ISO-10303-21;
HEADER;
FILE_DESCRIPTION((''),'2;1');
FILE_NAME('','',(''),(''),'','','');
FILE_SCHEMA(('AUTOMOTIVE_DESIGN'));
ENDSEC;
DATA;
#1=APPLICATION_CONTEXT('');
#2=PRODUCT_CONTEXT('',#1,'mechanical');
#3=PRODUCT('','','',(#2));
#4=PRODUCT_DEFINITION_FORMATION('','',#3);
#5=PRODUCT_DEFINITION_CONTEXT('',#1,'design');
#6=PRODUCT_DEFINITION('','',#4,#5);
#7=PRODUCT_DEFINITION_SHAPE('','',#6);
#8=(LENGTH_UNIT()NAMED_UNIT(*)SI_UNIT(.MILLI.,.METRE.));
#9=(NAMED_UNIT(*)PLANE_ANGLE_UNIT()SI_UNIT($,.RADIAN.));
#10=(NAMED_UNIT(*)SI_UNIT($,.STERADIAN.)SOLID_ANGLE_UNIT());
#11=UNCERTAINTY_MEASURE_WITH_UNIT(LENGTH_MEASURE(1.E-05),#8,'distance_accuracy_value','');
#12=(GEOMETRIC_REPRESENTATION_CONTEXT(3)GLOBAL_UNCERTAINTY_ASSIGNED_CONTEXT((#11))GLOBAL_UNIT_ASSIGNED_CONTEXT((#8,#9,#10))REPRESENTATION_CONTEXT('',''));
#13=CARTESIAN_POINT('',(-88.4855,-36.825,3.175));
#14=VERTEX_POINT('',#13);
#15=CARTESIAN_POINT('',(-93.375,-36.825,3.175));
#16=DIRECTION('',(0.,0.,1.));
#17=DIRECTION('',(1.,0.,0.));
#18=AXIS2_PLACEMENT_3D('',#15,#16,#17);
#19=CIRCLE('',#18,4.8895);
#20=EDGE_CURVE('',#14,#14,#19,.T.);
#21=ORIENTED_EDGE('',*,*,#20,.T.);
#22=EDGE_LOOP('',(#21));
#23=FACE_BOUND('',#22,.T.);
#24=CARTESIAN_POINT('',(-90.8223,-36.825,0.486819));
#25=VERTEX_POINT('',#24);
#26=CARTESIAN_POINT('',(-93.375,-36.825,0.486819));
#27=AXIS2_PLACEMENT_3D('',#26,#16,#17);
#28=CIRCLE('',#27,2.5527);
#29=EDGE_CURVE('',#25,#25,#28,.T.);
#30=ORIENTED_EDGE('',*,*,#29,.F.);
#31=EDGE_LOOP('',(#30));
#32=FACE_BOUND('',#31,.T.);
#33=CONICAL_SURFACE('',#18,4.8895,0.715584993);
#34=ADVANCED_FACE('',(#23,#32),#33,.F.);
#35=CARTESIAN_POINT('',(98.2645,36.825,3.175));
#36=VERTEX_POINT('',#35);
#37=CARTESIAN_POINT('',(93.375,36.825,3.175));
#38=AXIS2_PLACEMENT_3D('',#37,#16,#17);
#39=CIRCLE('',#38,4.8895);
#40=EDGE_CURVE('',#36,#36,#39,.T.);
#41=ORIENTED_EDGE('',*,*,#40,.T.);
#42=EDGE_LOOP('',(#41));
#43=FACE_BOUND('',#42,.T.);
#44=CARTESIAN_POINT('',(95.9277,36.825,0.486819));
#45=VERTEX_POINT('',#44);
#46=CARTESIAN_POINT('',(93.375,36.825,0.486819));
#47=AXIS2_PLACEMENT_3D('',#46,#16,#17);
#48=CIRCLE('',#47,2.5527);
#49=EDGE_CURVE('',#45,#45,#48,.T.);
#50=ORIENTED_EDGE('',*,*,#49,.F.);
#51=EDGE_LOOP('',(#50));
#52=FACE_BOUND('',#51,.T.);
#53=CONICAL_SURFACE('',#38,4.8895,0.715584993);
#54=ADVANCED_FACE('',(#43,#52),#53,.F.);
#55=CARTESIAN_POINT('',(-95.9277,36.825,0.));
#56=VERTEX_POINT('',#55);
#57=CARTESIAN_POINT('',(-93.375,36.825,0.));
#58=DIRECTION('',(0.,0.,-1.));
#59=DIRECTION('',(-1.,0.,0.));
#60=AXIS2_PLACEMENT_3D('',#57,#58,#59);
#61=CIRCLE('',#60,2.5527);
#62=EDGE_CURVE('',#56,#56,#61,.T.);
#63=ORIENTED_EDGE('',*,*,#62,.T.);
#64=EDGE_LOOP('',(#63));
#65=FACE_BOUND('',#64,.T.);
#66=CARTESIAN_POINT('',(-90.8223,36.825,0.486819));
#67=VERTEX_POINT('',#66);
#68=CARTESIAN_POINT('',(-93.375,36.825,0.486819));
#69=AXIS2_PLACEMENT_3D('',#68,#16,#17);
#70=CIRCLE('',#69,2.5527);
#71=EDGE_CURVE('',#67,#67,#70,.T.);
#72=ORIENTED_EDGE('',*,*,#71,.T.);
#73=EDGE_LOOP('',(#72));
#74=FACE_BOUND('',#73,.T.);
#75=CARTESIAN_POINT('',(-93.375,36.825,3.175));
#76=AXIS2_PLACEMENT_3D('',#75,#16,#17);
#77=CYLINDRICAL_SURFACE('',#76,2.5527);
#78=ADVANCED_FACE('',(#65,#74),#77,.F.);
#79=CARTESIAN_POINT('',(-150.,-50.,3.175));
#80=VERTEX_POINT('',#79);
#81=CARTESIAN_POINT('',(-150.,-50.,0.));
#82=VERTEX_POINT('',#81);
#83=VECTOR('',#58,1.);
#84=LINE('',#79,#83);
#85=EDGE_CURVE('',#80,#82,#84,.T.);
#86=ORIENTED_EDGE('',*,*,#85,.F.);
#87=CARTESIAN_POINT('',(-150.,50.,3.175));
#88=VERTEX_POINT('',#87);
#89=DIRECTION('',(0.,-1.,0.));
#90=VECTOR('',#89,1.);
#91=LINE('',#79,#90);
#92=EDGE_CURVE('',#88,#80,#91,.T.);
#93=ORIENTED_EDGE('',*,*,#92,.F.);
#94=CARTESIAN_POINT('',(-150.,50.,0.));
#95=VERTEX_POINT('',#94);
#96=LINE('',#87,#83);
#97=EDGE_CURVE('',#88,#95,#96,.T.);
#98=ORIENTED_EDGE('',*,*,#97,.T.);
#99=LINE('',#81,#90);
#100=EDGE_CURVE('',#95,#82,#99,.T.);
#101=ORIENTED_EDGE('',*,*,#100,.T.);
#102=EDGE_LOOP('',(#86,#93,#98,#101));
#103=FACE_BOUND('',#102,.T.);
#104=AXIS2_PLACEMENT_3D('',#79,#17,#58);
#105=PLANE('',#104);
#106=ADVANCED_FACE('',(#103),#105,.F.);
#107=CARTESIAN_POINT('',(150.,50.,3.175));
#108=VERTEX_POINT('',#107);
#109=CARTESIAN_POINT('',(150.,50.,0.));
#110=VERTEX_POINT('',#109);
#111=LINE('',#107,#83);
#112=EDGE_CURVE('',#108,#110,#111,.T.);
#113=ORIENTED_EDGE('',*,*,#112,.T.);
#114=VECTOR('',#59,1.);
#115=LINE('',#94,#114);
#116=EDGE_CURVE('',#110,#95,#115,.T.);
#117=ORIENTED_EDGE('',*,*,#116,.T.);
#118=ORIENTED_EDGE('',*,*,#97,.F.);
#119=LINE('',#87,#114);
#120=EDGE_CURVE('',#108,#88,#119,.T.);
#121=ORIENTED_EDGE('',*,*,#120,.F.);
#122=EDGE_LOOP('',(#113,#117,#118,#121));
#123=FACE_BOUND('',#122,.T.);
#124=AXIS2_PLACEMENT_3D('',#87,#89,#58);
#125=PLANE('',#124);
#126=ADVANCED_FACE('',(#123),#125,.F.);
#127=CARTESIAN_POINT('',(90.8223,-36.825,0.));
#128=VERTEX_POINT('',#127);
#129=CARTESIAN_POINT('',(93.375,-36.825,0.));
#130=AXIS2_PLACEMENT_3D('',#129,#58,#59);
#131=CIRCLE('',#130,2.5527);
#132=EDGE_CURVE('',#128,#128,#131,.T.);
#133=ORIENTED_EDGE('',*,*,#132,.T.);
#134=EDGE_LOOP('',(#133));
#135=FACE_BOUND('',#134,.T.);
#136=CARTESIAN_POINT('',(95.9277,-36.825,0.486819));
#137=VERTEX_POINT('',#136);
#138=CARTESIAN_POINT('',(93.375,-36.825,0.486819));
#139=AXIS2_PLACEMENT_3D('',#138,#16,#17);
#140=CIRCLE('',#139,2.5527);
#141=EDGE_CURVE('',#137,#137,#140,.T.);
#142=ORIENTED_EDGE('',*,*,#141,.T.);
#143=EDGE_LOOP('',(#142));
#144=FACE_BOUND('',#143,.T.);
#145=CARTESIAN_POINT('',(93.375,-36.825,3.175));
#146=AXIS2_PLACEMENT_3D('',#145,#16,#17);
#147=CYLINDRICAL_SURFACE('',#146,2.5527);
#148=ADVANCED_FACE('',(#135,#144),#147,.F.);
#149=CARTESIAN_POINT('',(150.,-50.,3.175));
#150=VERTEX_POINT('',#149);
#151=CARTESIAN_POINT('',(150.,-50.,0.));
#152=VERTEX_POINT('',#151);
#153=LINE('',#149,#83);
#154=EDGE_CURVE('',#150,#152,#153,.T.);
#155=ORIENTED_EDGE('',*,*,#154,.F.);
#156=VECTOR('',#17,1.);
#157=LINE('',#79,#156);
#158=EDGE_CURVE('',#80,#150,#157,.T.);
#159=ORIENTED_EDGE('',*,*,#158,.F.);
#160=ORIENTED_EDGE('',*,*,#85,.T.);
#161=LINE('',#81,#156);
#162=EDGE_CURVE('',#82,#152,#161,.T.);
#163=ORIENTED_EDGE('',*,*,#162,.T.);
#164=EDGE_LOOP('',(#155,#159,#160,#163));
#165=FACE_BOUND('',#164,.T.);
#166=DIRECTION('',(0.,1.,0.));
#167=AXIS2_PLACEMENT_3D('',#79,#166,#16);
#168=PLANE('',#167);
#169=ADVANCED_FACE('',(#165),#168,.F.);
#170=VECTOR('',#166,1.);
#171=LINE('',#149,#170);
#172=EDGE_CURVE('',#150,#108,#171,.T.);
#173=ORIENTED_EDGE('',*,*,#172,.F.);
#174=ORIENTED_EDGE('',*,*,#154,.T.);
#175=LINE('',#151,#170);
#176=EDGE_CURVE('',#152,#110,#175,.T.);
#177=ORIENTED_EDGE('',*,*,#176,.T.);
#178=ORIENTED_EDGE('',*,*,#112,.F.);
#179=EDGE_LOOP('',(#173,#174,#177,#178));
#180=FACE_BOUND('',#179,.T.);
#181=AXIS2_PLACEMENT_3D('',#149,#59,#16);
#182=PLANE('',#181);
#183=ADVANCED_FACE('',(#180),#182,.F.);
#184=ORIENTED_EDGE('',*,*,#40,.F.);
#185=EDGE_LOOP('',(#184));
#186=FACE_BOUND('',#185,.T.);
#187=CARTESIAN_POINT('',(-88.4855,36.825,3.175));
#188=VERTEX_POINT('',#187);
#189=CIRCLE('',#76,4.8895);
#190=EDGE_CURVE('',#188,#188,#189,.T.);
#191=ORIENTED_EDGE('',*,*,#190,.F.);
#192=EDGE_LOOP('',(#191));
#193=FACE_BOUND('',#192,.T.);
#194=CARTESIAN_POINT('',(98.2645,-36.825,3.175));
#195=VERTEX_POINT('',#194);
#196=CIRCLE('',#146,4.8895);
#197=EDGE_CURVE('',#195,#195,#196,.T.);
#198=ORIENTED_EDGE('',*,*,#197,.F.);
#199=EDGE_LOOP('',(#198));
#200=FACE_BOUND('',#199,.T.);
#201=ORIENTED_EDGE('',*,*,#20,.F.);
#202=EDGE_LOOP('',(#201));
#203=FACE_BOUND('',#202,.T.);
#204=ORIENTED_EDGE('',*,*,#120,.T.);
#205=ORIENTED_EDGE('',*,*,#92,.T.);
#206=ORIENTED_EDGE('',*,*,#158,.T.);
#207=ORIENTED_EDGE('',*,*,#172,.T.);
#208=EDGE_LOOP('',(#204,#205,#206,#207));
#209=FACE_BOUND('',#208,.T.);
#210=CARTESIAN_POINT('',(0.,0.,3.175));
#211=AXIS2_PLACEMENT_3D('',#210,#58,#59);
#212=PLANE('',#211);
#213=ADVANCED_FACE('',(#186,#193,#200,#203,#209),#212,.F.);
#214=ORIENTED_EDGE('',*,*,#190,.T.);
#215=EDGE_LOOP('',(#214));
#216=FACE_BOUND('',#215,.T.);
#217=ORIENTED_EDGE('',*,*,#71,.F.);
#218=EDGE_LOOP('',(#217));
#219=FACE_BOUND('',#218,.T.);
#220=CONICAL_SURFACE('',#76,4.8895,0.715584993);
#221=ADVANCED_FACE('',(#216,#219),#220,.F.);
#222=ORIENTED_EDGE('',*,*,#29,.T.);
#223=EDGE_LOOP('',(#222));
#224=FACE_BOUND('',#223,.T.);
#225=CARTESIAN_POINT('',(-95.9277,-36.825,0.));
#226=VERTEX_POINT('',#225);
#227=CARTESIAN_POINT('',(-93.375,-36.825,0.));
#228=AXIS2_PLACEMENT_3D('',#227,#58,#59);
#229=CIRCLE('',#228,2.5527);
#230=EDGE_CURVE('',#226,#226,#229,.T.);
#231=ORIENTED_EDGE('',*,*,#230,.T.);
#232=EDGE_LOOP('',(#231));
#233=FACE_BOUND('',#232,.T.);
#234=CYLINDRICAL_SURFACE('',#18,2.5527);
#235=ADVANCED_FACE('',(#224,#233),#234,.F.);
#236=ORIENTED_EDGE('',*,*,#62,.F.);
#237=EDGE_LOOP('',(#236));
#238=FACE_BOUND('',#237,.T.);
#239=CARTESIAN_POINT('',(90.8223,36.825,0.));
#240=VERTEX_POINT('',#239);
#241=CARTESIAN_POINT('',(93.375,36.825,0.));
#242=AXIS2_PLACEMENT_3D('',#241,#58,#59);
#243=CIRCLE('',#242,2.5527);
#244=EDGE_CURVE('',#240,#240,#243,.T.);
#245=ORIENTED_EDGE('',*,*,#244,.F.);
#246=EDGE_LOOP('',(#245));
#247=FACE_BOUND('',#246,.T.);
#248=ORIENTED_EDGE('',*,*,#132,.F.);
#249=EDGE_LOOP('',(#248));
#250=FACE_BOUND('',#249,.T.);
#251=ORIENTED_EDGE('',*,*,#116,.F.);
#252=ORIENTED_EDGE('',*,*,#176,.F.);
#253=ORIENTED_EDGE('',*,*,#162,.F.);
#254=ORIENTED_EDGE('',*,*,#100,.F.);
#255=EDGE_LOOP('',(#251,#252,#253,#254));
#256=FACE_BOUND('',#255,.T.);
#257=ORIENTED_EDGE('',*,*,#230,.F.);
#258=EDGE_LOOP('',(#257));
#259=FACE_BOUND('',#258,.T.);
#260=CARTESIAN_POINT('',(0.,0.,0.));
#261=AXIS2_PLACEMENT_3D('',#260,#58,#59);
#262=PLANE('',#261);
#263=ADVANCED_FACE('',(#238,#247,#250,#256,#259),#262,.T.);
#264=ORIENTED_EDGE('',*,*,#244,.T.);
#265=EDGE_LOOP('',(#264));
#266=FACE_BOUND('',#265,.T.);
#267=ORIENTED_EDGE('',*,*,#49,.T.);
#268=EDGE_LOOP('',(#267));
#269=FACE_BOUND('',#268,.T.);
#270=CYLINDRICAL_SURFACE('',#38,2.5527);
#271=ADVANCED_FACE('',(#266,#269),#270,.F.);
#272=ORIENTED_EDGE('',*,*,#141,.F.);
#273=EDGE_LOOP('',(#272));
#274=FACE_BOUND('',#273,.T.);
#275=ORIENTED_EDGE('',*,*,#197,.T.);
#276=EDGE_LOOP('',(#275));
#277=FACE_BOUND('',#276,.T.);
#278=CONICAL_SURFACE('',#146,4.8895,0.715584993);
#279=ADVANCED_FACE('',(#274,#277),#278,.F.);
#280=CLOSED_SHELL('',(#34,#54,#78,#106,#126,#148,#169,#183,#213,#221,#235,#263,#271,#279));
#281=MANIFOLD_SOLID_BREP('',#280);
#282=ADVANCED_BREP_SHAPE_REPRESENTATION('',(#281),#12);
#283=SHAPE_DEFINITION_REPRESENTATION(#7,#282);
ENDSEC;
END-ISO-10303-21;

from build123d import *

# Parameters (mm, degrees)
SKETCH1_W                                       = 299.999999694
SKETCH1_H                                       = 99.999999898
BOSS_EXTRUDE1_DEPTH                             = 3.175
CSK_FOR_10_FLAT_HEAD_MACHINE_SCREW1_D           = 5.1054
CSK_FOR_10_FLAT_HEAD_MACHINE_SCREW1_DEPTH       = 4.826
CSK_FOR_10_FLAT_HEAD_MACHINE_SCREW1_CSINK_D     = 9.779
CSK_FOR_10_FLAT_HEAD_MACHINE_SCREW1_CSINK_ANGLE = 82
CSK_FOR_10_FLAT_HEAD_MACHINE_SCREW1_TIP         = 1.533816902


with BuildPart() as part:
    # Sketch1 → Boss-Extrude1 (new body)
    with BuildSketch(Plane.XY):
        Rectangle(SKETCH1_W, SKETCH1_H)
    extrude(amount=BOSS_EXTRUDE1_DEPTH)

    # CSK for #10 Flat Head Machine Screw1
    with Locations(Plane.XY.offset(3.175)):
        with Locations((93.374999847, 36.824999949), (-93.374999847, 36.824999949), (-93.374999847, -36.824999949), (93.374999847, -36.824999949)):
            CounterSinkHole(CSK_FOR_10_FLAT_HEAD_MACHINE_SCREW1_D / 2, CSK_FOR_10_FLAT_HEAD_MACHINE_SCREW1_CSINK_D / 2, depth=CSK_FOR_10_FLAT_HEAD_MACHINE_SCREW1_DEPTH, counter_sink_angle=CSK_FOR_10_FLAT_HEAD_MACHINE_SCREW1_CSINK_ANGLE)
            with Locations((0, 0, -(CSK_FOR_10_FLAT_HEAD_MACHINE_SCREW1_DEPTH + CSK_FOR_10_FLAT_HEAD_MACHINE_SCREW1_TIP / 2))):  # 118° drill point
                Cone(0, CSK_FOR_10_FLAT_HEAD_MACHINE_SCREW1_D / 2, CSK_FOR_10_FLAT_HEAD_MACHINE_SCREW1_TIP, mode=Mode.SUBTRACT)


solid = part.part
